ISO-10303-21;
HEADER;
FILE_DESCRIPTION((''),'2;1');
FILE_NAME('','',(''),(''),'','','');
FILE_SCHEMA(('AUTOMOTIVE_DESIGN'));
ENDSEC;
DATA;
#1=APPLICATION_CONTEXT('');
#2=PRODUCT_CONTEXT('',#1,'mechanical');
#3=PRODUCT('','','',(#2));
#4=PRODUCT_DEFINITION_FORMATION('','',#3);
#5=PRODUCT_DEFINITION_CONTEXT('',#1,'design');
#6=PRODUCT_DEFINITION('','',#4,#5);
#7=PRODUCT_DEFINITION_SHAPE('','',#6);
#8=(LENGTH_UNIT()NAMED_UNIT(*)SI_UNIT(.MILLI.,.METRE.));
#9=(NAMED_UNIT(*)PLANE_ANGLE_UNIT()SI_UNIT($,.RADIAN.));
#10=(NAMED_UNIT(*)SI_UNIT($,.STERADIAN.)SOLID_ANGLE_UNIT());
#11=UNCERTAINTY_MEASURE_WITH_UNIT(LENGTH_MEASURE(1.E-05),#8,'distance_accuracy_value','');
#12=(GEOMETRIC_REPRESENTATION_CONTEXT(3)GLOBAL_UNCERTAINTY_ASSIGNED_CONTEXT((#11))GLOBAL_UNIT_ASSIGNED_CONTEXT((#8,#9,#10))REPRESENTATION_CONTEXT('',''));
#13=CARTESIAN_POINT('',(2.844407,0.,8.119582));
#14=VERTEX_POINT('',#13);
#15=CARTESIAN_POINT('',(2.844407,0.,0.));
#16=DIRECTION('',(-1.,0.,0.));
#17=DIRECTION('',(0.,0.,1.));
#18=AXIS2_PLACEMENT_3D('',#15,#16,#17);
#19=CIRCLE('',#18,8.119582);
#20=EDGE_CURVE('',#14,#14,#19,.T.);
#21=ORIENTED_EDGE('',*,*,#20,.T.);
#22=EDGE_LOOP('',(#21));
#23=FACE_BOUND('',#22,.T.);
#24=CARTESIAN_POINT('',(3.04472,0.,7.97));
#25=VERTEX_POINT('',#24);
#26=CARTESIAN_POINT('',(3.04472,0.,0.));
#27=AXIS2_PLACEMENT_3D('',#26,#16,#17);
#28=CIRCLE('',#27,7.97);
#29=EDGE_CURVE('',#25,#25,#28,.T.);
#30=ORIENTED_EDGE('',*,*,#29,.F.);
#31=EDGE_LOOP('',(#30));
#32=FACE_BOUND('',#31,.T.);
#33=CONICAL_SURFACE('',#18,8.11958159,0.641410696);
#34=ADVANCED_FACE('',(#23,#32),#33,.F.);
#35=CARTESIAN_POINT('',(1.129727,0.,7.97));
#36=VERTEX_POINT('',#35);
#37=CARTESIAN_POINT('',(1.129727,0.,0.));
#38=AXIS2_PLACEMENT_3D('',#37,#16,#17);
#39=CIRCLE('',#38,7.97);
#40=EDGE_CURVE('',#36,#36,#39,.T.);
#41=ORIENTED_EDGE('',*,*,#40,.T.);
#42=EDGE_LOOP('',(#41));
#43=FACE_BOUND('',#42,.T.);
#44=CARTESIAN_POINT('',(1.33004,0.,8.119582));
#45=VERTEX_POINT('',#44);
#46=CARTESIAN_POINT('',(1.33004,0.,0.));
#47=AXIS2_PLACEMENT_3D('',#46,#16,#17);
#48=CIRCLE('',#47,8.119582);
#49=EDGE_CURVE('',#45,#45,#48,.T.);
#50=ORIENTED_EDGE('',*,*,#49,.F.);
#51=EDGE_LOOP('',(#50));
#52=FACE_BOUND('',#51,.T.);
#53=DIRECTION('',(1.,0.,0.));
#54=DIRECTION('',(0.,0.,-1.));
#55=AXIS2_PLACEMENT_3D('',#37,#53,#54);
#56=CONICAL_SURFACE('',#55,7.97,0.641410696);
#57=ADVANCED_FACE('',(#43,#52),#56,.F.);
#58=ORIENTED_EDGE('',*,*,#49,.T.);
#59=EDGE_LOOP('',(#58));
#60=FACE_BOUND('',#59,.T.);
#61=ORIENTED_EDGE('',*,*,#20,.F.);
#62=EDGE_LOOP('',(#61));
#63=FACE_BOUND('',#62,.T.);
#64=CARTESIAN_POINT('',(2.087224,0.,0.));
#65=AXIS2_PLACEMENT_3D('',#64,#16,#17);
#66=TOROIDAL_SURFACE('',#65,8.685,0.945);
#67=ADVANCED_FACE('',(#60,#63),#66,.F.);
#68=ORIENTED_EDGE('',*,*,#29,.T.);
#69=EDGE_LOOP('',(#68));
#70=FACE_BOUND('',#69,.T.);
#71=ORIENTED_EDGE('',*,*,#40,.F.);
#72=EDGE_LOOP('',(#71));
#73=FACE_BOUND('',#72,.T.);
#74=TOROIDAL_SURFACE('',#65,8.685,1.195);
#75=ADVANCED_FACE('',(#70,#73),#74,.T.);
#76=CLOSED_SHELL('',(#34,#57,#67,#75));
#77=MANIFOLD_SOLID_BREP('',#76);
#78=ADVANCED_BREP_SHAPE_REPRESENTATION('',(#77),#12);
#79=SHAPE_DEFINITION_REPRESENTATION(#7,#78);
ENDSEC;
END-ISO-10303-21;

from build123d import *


with BuildPart() as part:
    # Sketch1 → Revolve1 (revolve)
    with BuildSketch(Plane.XY):
        with BuildLine():
            Line((1.129726799, 7.97), (1.330039924, 8.11958159))
            ThreePointArc((1.330039924, 8.11958159), (2.087223536, 9.63), (2.844407147, 8.11958159))
            Line((2.844407147, 8.11958159), (3.044720272, 7.97))
            ThreePointArc((3.044720272, 7.97), (2.087223536, 9.88), (1.129726799, 7.97))
        make_face()
    revolve(axis=Axis((-88.99, 0, 0), (1, 0, 0)))


solid = part.part
